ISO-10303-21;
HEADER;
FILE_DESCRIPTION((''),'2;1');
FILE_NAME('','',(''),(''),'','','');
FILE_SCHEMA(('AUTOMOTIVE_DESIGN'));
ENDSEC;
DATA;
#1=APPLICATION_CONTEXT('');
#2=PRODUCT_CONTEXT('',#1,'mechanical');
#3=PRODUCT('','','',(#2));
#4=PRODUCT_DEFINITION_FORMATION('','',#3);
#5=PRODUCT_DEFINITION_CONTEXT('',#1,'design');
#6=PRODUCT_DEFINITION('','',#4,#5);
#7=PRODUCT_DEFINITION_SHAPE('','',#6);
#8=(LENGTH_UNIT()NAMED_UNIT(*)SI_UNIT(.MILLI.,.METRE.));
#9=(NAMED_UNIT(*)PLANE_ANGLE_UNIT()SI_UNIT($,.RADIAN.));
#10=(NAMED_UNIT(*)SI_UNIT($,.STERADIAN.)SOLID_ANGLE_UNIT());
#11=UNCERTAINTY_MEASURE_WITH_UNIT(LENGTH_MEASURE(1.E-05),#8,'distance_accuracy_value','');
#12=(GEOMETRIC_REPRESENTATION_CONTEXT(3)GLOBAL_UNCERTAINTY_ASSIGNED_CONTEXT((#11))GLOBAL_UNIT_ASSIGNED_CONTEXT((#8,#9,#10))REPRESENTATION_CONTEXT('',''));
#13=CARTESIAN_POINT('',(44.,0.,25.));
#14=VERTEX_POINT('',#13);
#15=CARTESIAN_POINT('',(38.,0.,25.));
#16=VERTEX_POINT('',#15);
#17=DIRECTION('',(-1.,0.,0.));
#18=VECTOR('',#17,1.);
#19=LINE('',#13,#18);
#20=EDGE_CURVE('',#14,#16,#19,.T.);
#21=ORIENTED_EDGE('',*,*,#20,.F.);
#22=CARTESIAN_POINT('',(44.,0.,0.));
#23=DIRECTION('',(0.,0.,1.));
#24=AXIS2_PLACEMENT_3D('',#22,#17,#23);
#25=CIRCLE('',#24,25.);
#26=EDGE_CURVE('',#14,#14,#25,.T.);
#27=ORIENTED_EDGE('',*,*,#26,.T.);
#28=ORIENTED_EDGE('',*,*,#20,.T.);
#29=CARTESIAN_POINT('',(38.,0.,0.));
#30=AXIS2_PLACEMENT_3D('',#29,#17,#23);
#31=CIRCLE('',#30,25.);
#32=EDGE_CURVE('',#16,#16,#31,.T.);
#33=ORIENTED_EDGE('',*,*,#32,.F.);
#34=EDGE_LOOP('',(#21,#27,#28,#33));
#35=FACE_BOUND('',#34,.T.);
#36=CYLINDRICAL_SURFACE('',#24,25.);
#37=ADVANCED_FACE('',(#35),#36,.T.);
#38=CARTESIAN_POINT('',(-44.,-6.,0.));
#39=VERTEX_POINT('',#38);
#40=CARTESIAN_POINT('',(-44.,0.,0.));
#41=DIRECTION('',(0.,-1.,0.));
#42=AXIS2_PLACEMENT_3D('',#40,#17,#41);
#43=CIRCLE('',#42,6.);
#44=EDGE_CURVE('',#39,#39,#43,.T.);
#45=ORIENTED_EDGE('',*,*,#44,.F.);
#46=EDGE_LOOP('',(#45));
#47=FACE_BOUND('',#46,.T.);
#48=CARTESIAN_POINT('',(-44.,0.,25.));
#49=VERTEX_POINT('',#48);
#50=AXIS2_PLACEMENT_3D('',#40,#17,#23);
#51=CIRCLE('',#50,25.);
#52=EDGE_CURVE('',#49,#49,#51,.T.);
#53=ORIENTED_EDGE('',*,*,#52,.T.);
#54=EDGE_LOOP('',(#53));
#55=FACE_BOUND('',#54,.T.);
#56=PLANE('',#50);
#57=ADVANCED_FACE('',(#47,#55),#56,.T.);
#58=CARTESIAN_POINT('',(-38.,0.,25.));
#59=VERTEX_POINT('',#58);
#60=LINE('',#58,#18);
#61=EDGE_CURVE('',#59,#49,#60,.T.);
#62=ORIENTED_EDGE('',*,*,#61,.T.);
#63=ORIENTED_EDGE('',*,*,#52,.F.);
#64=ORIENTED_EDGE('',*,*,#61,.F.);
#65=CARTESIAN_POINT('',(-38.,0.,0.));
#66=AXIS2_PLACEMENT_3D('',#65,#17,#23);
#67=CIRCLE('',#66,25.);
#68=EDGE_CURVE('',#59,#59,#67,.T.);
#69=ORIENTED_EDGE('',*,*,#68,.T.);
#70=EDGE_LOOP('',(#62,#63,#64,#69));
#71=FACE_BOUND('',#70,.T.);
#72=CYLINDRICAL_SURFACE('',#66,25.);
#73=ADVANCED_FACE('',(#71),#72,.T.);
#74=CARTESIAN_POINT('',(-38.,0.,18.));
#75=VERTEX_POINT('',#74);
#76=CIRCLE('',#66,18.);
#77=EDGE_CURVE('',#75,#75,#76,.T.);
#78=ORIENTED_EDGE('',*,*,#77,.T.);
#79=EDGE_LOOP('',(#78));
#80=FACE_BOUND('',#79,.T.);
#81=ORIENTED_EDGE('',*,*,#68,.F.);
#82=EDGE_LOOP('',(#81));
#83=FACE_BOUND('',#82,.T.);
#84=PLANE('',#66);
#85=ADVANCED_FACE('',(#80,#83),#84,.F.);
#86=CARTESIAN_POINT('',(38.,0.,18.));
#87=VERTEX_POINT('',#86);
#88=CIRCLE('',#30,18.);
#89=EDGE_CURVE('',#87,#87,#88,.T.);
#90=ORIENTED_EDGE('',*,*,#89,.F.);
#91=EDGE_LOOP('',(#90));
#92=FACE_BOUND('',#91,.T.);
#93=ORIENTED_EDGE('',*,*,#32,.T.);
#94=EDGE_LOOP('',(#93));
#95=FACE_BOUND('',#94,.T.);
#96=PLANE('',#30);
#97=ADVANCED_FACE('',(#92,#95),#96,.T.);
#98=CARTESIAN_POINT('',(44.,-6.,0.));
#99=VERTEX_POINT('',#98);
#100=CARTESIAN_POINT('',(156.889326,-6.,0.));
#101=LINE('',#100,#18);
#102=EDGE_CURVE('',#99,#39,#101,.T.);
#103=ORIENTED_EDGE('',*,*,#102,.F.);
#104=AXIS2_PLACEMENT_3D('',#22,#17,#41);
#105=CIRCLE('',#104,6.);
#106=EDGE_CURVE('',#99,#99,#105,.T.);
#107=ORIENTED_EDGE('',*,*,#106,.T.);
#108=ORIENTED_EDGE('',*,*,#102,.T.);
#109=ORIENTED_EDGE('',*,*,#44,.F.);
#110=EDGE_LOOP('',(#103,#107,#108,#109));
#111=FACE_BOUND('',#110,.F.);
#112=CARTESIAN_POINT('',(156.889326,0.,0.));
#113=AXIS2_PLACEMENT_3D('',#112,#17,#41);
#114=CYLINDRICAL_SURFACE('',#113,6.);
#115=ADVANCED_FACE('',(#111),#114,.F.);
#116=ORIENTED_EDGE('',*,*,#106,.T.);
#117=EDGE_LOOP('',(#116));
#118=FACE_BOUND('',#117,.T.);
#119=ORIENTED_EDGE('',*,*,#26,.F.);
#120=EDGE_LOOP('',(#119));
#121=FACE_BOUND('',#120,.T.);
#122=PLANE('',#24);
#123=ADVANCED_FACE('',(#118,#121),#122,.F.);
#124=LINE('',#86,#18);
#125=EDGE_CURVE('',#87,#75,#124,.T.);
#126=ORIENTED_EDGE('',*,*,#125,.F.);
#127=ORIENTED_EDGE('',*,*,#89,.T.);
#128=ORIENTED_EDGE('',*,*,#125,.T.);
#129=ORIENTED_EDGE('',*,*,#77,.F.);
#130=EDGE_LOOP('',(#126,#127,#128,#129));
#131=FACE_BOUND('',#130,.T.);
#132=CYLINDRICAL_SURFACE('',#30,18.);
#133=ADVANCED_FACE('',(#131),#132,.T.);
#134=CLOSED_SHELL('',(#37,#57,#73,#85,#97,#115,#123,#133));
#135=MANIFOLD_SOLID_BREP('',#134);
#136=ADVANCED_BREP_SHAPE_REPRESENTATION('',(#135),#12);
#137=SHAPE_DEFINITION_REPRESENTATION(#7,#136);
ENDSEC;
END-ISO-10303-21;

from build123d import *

# Parameters (mm, degrees)
F0_W = 38
F0_H = 18
F3_D = 12


with BuildPart() as f1:
    # F0 (on Front) → F1 (revolve)
    with BuildSketch(Plane.XZ):
        Polygon((-44, 0), (-38, 0), (-38, 18), (-38, 25), (-44, 25), align=None)
        with Locations((-19, 9)):
            Rectangle(F0_W, F0_H)
        with Locations((19, 9)):
            Rectangle(F0_W, F0_H)
        Polygon((38, 18), (38, 0), (44, 0), (44, 25), (38, 25), align=None)
    revolve(axis=Axis((-19, 0, 0), (-1, 0, 0)))

    # F3 (through all)
    with Locations(Plane.YZ.offset(44)):
        with Locations((0, 0)):
            Hole(F3_D / 2)


solid = f1.part
